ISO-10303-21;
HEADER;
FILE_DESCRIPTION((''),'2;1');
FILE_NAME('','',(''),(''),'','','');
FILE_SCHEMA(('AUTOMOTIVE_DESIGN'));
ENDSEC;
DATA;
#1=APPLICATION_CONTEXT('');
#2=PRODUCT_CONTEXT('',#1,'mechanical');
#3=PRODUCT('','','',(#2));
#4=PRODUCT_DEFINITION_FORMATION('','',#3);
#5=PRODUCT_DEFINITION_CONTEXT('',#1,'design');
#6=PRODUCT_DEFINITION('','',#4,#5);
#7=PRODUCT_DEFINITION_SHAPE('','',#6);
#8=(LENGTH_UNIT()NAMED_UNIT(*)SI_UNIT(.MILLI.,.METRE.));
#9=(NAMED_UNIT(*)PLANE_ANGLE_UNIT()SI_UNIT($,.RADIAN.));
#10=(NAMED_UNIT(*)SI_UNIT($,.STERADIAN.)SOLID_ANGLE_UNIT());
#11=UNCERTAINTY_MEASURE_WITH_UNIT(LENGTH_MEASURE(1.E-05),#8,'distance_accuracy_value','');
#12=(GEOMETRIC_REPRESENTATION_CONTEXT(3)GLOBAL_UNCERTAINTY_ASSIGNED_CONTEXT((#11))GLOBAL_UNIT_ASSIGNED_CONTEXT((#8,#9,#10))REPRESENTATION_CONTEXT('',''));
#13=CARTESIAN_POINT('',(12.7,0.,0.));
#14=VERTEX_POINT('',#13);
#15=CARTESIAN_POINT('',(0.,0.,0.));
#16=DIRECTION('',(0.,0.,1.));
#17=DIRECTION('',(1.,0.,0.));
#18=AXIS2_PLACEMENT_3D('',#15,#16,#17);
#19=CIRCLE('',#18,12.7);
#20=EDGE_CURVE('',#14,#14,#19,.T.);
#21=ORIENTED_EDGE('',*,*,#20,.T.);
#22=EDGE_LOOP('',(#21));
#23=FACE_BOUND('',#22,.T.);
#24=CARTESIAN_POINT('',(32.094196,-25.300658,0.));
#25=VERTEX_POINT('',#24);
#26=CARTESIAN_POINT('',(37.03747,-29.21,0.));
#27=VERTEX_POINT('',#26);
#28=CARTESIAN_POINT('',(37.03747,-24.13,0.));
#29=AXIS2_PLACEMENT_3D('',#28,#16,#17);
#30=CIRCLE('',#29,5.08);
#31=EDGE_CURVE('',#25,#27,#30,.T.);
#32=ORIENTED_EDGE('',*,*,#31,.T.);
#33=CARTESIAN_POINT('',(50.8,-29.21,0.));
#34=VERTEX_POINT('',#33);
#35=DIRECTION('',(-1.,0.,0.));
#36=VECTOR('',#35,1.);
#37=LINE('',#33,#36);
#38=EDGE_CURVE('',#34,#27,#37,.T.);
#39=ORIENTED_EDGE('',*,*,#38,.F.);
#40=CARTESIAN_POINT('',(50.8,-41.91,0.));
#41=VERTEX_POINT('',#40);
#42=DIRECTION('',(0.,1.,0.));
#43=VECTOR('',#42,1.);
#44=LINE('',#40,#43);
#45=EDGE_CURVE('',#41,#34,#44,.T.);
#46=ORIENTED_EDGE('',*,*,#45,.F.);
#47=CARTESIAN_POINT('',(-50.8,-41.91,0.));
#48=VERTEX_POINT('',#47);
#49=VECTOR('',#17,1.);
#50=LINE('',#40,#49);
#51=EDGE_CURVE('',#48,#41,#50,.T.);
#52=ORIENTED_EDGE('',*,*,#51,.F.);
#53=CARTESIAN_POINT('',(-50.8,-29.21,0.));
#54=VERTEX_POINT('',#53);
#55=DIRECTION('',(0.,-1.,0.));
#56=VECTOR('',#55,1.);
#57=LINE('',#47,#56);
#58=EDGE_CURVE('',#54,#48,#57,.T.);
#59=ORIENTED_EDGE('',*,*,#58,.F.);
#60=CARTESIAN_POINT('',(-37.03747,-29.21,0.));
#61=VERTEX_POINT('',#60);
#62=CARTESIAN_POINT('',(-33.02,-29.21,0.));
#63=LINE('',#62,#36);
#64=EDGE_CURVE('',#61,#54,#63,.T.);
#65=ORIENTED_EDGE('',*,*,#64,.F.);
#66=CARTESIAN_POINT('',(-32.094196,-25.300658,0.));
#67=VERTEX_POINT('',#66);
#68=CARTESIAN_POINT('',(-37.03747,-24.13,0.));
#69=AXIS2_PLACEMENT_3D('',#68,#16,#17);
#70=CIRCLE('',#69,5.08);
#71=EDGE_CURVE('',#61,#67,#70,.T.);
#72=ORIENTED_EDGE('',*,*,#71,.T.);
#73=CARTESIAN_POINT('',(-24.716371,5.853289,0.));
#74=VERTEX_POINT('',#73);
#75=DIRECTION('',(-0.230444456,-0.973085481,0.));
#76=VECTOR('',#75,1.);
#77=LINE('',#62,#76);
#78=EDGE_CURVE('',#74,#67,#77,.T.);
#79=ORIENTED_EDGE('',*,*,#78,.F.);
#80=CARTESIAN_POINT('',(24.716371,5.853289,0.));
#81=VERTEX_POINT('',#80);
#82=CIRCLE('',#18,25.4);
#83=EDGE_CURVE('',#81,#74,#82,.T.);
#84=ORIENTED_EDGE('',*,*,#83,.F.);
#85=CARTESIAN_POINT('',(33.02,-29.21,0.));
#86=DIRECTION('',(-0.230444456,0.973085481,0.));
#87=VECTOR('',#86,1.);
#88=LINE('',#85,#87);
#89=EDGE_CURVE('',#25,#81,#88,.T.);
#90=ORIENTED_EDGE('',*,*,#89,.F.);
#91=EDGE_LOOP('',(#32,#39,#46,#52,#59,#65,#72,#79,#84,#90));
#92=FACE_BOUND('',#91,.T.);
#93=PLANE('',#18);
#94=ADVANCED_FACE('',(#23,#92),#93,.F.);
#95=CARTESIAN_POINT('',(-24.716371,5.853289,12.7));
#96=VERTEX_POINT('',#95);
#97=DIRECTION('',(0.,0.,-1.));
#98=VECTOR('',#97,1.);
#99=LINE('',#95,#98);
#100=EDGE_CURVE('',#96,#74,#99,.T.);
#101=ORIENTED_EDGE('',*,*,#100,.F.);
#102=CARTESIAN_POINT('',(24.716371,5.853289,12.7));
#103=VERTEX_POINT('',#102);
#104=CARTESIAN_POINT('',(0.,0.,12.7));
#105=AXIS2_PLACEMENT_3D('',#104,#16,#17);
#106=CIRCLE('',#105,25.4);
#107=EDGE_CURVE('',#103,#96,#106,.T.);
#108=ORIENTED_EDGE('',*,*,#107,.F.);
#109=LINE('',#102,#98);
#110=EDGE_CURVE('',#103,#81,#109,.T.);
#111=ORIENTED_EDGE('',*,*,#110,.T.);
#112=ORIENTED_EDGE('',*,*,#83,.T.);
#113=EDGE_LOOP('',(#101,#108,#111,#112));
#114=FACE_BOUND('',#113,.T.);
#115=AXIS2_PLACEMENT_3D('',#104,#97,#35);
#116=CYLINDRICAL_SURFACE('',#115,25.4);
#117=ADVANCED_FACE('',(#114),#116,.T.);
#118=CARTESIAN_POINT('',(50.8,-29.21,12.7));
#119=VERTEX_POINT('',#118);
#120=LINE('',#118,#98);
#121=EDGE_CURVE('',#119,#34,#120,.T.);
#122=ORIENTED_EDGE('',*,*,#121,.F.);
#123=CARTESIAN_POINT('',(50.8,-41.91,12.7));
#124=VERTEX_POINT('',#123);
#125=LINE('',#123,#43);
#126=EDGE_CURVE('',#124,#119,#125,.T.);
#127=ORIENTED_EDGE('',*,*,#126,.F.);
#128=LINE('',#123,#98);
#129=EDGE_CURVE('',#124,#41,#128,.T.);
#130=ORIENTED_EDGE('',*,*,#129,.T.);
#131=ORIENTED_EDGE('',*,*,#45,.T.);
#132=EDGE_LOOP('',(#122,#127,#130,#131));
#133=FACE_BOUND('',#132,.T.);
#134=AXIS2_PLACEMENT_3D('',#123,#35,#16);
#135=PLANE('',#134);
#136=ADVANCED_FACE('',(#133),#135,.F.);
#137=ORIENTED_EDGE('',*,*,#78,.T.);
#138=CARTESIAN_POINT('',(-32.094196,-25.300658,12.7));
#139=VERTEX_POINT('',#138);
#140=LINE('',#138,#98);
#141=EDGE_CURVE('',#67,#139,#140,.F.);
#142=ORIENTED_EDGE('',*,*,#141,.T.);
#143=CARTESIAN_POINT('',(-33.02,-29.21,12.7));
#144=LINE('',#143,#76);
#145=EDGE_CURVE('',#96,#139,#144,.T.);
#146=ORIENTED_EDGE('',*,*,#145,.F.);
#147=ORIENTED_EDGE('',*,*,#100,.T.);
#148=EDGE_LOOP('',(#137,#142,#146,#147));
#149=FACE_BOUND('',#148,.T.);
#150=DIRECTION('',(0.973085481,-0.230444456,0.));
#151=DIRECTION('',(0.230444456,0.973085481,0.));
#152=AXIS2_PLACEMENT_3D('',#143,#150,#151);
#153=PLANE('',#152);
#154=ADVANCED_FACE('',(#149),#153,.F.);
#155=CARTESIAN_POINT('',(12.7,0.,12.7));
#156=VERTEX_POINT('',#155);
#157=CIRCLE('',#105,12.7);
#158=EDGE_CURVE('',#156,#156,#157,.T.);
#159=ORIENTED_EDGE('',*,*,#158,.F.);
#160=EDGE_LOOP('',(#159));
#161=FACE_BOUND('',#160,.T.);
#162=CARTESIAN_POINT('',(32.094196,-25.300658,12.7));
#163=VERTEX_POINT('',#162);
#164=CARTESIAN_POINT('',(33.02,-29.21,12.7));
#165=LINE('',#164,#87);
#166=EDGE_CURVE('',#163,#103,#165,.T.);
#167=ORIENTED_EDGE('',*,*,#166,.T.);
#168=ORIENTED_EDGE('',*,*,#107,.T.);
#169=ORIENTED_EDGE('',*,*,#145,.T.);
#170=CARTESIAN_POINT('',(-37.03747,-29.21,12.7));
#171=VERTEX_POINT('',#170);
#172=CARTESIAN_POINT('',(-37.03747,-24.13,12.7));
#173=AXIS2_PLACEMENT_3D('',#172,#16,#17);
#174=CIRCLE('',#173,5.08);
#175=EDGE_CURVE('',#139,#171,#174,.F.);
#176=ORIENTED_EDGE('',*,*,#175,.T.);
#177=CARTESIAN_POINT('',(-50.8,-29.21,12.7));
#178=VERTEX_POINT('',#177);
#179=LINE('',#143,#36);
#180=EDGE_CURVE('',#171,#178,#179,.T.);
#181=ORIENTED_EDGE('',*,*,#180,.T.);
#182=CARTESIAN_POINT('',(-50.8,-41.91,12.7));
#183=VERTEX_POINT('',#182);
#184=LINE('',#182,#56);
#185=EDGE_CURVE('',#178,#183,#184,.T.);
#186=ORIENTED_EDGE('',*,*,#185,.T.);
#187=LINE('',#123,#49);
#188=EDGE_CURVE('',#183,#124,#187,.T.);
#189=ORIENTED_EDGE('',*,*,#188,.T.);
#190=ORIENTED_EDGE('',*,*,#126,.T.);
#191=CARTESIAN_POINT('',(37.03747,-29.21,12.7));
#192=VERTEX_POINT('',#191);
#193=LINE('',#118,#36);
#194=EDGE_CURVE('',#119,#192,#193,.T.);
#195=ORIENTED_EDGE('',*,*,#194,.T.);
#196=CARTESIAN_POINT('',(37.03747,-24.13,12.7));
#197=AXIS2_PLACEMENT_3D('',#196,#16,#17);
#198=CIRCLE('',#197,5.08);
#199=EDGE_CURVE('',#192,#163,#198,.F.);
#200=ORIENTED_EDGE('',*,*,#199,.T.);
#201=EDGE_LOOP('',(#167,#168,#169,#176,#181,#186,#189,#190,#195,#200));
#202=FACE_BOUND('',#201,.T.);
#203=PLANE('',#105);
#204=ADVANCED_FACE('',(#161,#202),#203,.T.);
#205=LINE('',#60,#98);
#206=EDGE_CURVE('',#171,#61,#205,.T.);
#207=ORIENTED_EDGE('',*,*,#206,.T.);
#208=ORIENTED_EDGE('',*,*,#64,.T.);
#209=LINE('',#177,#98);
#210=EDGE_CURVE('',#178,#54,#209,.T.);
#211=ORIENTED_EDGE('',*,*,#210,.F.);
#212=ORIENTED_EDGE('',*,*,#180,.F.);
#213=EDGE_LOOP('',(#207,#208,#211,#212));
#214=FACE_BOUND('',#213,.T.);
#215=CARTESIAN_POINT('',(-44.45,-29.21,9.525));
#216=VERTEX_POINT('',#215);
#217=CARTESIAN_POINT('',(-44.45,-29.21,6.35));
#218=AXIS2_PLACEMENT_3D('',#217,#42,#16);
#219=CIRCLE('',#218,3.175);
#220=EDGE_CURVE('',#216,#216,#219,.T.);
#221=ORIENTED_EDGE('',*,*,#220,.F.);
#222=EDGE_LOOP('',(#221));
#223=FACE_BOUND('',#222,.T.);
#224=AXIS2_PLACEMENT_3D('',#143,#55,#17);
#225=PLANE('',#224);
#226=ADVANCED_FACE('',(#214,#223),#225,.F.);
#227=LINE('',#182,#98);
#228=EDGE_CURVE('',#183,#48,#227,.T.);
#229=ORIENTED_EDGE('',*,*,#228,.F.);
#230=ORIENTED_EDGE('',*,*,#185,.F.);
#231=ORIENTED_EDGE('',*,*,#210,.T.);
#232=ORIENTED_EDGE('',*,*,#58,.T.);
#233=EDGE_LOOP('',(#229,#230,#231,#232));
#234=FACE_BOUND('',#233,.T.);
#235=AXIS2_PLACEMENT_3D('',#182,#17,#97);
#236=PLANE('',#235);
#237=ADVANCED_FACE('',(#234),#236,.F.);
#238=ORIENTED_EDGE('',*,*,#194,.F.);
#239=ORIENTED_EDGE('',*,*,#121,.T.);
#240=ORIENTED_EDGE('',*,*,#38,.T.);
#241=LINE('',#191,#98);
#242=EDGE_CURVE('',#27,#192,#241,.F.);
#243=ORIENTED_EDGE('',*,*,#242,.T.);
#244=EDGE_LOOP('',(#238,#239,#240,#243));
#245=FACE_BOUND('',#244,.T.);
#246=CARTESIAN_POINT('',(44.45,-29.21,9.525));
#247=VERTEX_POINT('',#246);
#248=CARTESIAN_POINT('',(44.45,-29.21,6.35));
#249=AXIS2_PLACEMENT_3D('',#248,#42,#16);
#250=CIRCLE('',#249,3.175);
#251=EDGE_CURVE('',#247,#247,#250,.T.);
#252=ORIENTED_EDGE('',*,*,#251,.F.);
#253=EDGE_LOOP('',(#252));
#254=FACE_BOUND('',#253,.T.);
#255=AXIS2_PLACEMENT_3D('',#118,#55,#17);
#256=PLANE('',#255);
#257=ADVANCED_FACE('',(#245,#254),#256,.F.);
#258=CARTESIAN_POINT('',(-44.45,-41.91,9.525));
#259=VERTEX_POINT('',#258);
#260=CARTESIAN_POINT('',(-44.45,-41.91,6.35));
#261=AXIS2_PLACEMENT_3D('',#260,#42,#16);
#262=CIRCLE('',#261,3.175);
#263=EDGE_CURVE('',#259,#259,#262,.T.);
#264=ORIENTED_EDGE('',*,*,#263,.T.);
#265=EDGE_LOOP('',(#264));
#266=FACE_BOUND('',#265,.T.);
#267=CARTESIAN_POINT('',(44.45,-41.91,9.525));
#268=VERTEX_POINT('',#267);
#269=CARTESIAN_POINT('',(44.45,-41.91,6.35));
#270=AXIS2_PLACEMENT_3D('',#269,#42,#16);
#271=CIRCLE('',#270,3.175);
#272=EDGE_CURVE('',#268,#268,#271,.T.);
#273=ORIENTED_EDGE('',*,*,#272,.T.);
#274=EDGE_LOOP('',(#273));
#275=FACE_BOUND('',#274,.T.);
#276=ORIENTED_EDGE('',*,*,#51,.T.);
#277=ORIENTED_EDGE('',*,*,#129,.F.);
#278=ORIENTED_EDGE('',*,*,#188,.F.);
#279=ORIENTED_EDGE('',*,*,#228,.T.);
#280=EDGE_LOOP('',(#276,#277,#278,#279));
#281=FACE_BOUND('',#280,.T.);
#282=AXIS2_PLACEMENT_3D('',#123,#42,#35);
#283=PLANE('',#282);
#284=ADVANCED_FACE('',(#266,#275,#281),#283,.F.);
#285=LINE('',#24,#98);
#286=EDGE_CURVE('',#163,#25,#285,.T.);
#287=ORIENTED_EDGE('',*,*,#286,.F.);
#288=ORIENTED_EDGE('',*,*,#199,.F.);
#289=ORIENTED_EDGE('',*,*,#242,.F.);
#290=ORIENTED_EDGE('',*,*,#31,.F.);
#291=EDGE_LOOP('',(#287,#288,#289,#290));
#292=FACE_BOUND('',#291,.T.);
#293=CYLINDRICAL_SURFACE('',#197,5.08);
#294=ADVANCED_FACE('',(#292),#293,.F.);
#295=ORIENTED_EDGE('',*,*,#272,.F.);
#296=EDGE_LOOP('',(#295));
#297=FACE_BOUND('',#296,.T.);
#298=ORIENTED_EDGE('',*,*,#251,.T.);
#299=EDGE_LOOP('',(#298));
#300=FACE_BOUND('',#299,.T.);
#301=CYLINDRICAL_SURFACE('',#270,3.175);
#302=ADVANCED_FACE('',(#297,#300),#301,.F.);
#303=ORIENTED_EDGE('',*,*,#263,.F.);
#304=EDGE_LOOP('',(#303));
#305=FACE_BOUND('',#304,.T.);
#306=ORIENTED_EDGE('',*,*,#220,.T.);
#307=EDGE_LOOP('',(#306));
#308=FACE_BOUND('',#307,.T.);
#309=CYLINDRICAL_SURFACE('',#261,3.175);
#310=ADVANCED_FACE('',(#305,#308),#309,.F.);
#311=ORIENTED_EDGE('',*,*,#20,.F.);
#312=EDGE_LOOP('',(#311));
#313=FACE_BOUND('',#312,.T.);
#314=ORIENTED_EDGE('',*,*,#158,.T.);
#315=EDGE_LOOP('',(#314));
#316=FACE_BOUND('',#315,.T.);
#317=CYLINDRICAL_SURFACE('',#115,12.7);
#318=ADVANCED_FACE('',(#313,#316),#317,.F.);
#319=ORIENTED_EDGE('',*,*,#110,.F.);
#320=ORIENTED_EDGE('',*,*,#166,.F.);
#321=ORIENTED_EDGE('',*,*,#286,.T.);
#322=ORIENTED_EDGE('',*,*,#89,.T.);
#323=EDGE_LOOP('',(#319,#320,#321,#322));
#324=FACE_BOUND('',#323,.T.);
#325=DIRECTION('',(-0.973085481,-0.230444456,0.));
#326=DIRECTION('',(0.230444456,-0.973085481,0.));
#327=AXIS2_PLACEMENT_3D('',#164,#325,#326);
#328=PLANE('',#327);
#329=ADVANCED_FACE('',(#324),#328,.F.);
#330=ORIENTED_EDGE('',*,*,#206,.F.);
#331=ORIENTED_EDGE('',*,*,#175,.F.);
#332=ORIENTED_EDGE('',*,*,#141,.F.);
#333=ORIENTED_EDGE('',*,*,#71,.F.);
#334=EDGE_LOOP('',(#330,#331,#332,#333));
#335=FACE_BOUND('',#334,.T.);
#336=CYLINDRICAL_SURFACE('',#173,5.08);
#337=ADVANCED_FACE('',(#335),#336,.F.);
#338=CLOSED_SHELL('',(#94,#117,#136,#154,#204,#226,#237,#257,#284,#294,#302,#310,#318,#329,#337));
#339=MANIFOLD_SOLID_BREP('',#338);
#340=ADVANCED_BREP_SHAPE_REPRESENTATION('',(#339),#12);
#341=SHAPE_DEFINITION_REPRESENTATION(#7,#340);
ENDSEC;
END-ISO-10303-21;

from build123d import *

# Parameters (mm, degrees)
SKETCH1_R           = 12.7
BOSS_EXTRUDE1_DEPTH = 12.7
SKETCH2_R           = 3.175
CUT_EXTRUDE1_DEPTH  = 13.7
FILLET1_R           = 5.08


with BuildPart() as part:
    # Sketch1 → Boss-Extrude1 (new body)
    with BuildSketch(Plane.XY):
        with BuildLine():
            Line((50.8, -41.91), (-50.8, -41.91))
            Line((-50.8, -41.91), (-50.8, -29.21))
            Line((-50.8, -29.21), (-33.02, -29.21))
            Line((-33.02, -29.21), (-24.716371207, 5.853289191))
            ThreePointArc((-24.716371207, 5.853289191), (0, 25.4), (24.716371207, 5.853289191))
            Line((24.716371207, 5.853289191), (33.02, -29.21))
            Line((33.02, -29.21), (50.8, -29.21))
            Line((50.8, -29.21), (50.8, -41.91))
        make_face()
        Circle(SKETCH1_R, mode=Mode.SUBTRACT)
    extrude(amount=BOSS_EXTRUDE1_DEPTH)

    # Sketch2 → Cut-Extrude1 (cut, through all)
    with BuildSketch(Plane(origin=(0, -29.21, 0), x_dir=(1, 0, 0), z_dir=(0, 1, 0))):
        with Locations((-44.45, -6.35)):
            Circle(SKETCH2_R)
        with Locations((44.45, -6.35)):
            Circle(SKETCH2_R)
    extrude(amount=-CUT_EXTRUDE1_DEPTH, mode=Mode.SUBTRACT)

    # Fillet1
    fillet1_edges = [part.edges().sort_by_distance(p)[0] for p in [
        (-33.02, -29.21, 6.35),
        (33.02, -29.21, 6.35),
    ]]
    fillet(fillet1_edges, radius=FILLET1_R)


solid = part.part
